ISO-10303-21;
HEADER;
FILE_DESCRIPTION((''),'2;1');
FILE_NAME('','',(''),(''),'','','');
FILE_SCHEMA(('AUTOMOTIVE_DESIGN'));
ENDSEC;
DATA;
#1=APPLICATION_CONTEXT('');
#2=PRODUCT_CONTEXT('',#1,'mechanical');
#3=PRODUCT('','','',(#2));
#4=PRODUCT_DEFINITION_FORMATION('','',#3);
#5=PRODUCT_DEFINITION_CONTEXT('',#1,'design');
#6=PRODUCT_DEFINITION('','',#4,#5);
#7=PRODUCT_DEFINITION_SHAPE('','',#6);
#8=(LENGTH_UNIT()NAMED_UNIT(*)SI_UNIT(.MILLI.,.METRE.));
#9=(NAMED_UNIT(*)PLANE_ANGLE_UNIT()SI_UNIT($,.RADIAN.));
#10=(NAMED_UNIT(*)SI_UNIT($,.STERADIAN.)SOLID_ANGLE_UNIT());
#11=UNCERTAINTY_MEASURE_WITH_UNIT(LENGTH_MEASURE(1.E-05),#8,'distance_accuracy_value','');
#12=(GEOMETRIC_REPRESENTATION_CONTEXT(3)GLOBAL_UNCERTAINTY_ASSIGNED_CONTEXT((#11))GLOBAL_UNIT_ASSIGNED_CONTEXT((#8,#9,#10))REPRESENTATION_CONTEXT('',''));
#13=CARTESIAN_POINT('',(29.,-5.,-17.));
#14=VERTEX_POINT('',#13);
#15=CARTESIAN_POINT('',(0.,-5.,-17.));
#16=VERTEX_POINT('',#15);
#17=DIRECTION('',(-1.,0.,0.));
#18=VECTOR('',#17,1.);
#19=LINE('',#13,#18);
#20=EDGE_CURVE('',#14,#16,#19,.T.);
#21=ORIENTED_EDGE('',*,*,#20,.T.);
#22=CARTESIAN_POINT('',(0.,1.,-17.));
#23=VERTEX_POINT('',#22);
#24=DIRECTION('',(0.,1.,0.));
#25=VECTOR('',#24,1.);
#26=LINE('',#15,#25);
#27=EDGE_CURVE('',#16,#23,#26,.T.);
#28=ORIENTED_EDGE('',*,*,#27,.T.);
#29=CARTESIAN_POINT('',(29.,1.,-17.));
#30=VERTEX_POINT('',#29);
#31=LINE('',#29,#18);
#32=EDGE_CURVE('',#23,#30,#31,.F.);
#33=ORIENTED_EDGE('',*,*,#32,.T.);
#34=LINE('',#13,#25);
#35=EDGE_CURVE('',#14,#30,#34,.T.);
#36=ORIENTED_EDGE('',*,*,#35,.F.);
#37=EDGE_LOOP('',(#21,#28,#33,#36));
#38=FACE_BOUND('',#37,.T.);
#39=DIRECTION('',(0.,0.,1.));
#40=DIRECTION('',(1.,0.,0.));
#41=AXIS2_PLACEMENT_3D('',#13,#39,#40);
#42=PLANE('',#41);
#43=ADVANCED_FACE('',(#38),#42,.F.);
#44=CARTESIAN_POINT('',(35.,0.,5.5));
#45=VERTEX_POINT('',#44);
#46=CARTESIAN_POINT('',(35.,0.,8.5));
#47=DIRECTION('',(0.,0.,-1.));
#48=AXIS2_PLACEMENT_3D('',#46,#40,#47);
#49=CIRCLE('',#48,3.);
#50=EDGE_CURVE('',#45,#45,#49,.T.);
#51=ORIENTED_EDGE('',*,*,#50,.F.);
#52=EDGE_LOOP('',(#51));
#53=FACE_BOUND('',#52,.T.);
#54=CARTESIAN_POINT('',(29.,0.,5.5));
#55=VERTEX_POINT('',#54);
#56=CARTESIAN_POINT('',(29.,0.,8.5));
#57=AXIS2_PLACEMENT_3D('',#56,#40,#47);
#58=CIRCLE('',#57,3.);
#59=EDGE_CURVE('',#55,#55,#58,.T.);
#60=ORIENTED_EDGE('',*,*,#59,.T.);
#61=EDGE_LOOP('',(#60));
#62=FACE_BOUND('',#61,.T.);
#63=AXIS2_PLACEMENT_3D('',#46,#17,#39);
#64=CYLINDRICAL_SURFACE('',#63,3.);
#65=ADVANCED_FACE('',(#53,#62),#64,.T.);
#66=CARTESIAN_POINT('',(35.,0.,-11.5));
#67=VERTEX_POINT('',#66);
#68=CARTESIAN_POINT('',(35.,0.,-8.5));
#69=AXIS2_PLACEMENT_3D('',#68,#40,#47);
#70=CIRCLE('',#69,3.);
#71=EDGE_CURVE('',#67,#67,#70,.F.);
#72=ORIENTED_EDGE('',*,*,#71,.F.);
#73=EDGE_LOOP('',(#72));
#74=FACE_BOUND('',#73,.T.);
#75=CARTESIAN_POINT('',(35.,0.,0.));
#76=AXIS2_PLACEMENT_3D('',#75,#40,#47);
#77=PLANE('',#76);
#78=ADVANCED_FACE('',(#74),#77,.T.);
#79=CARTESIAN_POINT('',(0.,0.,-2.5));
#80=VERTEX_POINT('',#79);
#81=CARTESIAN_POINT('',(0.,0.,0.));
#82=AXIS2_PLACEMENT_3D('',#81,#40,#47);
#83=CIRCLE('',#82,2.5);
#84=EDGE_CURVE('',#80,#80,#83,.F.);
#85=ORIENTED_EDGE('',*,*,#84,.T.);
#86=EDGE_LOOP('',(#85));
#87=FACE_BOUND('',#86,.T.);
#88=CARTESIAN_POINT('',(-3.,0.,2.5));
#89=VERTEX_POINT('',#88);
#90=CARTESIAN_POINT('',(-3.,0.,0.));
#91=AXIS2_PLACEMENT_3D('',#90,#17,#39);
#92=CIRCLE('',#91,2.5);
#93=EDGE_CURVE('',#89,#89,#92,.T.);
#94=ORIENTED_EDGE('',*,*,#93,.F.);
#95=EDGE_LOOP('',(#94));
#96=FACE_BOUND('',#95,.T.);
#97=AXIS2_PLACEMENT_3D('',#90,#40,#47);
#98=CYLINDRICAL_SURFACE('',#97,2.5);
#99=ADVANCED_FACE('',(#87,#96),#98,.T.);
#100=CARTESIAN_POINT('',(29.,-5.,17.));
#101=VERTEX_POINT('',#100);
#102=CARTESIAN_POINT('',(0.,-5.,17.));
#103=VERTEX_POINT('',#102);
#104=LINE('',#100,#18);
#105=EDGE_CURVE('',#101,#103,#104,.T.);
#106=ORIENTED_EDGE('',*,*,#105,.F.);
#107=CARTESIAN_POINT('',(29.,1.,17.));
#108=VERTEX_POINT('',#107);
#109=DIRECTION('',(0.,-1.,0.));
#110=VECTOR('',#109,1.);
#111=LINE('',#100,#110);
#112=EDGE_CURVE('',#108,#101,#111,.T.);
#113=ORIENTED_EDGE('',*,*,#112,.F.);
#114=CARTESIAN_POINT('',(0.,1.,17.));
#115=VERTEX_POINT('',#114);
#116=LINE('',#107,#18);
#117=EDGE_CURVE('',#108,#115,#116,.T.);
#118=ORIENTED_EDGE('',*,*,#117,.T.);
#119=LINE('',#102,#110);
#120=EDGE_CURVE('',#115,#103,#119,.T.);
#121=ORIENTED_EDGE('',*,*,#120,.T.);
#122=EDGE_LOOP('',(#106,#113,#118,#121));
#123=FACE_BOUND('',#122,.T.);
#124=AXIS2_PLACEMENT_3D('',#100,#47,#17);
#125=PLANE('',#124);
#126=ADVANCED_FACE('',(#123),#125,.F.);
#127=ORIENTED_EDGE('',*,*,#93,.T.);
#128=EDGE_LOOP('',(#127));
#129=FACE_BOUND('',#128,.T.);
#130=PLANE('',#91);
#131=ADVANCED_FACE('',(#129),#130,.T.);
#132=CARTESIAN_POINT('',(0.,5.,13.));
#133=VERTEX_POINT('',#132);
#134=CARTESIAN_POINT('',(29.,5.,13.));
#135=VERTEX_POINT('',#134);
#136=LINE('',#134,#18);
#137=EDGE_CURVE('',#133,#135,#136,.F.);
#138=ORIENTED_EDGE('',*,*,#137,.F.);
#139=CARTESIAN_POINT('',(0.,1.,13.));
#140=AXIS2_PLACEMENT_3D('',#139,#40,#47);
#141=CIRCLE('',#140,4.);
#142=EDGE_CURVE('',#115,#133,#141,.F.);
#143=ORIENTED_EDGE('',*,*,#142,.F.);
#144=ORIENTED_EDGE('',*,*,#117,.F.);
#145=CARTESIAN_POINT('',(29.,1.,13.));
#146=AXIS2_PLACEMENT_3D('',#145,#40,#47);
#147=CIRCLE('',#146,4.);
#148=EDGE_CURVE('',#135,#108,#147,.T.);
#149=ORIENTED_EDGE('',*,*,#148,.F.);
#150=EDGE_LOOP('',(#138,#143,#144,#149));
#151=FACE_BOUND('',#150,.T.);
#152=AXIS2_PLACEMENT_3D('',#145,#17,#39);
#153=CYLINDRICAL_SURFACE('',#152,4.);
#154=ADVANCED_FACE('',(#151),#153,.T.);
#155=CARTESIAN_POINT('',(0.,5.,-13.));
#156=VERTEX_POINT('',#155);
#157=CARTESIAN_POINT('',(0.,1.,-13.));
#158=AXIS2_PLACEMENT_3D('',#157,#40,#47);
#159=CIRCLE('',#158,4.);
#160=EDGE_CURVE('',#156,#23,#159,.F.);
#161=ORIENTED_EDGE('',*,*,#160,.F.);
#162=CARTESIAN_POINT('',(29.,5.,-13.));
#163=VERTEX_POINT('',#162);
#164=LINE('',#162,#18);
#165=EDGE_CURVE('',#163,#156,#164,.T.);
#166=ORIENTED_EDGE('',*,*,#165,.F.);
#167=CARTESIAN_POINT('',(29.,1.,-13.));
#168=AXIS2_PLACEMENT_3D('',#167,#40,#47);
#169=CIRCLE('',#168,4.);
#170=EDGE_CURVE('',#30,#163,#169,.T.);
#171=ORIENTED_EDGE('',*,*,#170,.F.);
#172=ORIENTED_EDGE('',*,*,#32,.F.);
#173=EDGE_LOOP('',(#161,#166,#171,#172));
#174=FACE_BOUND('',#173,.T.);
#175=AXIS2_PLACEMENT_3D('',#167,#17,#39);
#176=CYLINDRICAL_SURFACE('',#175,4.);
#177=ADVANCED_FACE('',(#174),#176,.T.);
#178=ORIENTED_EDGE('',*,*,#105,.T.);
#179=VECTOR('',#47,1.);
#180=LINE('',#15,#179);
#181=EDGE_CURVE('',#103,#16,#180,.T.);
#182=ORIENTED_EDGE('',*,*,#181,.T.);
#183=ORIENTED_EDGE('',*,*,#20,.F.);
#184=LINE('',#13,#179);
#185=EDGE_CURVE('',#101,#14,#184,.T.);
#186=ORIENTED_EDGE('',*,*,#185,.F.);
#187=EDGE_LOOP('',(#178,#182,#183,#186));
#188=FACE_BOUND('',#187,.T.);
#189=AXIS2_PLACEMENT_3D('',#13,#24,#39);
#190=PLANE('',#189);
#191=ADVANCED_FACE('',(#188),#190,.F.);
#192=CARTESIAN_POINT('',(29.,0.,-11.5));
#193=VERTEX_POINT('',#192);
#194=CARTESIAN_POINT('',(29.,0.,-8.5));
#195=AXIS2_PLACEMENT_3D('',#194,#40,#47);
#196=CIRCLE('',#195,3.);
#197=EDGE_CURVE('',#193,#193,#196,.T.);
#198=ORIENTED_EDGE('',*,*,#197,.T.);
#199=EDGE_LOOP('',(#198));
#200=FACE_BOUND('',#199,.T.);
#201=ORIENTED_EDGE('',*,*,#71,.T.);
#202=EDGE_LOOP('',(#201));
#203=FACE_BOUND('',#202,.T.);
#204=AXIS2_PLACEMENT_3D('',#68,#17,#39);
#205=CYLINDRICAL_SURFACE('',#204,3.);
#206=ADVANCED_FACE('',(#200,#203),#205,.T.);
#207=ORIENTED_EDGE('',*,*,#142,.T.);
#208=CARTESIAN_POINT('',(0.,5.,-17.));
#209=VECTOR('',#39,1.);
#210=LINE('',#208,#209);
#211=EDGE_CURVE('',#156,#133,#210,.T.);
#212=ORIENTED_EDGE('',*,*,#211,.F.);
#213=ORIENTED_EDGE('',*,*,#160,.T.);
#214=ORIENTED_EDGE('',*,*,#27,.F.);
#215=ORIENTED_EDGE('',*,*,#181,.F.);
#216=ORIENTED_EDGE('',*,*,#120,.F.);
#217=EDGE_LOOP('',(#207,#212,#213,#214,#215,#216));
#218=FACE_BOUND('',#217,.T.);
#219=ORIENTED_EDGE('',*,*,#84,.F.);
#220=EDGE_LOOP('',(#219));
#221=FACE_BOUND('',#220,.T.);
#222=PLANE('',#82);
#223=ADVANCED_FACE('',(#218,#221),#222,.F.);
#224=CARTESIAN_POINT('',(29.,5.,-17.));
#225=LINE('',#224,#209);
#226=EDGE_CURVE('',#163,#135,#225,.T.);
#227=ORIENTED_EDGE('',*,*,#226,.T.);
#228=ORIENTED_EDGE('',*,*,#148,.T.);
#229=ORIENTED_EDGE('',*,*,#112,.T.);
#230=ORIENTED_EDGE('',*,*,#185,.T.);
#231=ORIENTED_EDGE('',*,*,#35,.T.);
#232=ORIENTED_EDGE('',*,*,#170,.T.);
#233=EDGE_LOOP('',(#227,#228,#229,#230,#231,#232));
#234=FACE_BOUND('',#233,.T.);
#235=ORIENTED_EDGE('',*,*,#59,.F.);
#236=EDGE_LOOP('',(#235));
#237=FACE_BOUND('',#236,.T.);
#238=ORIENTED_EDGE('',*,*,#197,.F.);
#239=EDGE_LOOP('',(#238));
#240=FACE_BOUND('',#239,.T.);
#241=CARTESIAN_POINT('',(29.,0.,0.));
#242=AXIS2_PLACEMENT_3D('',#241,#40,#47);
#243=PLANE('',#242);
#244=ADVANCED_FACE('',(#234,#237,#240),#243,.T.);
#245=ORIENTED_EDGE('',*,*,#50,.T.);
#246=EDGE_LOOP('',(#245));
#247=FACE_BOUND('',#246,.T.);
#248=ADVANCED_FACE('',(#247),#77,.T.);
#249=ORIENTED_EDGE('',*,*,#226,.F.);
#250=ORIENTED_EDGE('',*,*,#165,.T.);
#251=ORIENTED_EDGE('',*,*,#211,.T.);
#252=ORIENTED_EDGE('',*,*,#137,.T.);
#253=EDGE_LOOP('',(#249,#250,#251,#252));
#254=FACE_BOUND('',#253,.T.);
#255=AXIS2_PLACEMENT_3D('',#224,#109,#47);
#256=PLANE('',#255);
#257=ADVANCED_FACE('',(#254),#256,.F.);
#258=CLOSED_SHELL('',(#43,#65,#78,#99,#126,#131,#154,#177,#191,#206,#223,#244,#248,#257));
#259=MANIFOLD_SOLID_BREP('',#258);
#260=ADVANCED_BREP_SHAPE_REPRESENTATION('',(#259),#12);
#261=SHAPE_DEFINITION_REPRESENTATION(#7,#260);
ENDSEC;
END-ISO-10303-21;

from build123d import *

# Parameters (mm, degrees)
ESBO_O1_W                = 34
ESBO_O1_H                = 10
RESSALTO_EXTRUS_O1_DEPTH = 29
FILETE1_R                = 4
ESBO_O2_R                = 3
RESSALTO_EXTRUS_O2_DEPTH = 6
ESBO_O3_R                = 2.5
RESSALTO_EXTRUS_O3_DEPTH = 3


with BuildPart() as part:
    # Esboço1 → Ressalto-extrusão1 (new body)
    with BuildSketch(Plane(origin=(0, 0, 0), x_dir=(0, 0, -1), z_dir=(1, 0, 0))):
        Rectangle(ESBO_O1_W, ESBO_O1_H)
    extrude(amount=RESSALTO_EXTRUS_O1_DEPTH)

    # Filete1
    filete1_edges = [part.edges().sort_by_distance(p)[0] for p in [
        (14.5, 5, 17),
        (14.5, 5, -17),
    ]]
    fillet(filete1_edges, radius=FILETE1_R)

    # Esboço2 → Ressalto-extrusão2 (add)
    with BuildSketch(Plane(origin=(29, 0, 0), x_dir=(0, 0, -1), z_dir=(1, 0, 0))):
        with Locations((-8.5, 0)):
            Circle(ESBO_O2_R)
        with Locations((8.5, 0)):
            Circle(ESBO_O2_R)
    extrude(amount=RESSALTO_EXTRUS_O2_DEPTH)

    # Esboço3 → Ressalto-extrusão3 (add)
    with BuildSketch(Plane.ZY):
        with Locations(Location((0, 0, 0), (0, 0, 180))):
            Circle(ESBO_O3_R)
    extrude(amount=RESSALTO_EXTRUS_O3_DEPTH)


solid = part.part
